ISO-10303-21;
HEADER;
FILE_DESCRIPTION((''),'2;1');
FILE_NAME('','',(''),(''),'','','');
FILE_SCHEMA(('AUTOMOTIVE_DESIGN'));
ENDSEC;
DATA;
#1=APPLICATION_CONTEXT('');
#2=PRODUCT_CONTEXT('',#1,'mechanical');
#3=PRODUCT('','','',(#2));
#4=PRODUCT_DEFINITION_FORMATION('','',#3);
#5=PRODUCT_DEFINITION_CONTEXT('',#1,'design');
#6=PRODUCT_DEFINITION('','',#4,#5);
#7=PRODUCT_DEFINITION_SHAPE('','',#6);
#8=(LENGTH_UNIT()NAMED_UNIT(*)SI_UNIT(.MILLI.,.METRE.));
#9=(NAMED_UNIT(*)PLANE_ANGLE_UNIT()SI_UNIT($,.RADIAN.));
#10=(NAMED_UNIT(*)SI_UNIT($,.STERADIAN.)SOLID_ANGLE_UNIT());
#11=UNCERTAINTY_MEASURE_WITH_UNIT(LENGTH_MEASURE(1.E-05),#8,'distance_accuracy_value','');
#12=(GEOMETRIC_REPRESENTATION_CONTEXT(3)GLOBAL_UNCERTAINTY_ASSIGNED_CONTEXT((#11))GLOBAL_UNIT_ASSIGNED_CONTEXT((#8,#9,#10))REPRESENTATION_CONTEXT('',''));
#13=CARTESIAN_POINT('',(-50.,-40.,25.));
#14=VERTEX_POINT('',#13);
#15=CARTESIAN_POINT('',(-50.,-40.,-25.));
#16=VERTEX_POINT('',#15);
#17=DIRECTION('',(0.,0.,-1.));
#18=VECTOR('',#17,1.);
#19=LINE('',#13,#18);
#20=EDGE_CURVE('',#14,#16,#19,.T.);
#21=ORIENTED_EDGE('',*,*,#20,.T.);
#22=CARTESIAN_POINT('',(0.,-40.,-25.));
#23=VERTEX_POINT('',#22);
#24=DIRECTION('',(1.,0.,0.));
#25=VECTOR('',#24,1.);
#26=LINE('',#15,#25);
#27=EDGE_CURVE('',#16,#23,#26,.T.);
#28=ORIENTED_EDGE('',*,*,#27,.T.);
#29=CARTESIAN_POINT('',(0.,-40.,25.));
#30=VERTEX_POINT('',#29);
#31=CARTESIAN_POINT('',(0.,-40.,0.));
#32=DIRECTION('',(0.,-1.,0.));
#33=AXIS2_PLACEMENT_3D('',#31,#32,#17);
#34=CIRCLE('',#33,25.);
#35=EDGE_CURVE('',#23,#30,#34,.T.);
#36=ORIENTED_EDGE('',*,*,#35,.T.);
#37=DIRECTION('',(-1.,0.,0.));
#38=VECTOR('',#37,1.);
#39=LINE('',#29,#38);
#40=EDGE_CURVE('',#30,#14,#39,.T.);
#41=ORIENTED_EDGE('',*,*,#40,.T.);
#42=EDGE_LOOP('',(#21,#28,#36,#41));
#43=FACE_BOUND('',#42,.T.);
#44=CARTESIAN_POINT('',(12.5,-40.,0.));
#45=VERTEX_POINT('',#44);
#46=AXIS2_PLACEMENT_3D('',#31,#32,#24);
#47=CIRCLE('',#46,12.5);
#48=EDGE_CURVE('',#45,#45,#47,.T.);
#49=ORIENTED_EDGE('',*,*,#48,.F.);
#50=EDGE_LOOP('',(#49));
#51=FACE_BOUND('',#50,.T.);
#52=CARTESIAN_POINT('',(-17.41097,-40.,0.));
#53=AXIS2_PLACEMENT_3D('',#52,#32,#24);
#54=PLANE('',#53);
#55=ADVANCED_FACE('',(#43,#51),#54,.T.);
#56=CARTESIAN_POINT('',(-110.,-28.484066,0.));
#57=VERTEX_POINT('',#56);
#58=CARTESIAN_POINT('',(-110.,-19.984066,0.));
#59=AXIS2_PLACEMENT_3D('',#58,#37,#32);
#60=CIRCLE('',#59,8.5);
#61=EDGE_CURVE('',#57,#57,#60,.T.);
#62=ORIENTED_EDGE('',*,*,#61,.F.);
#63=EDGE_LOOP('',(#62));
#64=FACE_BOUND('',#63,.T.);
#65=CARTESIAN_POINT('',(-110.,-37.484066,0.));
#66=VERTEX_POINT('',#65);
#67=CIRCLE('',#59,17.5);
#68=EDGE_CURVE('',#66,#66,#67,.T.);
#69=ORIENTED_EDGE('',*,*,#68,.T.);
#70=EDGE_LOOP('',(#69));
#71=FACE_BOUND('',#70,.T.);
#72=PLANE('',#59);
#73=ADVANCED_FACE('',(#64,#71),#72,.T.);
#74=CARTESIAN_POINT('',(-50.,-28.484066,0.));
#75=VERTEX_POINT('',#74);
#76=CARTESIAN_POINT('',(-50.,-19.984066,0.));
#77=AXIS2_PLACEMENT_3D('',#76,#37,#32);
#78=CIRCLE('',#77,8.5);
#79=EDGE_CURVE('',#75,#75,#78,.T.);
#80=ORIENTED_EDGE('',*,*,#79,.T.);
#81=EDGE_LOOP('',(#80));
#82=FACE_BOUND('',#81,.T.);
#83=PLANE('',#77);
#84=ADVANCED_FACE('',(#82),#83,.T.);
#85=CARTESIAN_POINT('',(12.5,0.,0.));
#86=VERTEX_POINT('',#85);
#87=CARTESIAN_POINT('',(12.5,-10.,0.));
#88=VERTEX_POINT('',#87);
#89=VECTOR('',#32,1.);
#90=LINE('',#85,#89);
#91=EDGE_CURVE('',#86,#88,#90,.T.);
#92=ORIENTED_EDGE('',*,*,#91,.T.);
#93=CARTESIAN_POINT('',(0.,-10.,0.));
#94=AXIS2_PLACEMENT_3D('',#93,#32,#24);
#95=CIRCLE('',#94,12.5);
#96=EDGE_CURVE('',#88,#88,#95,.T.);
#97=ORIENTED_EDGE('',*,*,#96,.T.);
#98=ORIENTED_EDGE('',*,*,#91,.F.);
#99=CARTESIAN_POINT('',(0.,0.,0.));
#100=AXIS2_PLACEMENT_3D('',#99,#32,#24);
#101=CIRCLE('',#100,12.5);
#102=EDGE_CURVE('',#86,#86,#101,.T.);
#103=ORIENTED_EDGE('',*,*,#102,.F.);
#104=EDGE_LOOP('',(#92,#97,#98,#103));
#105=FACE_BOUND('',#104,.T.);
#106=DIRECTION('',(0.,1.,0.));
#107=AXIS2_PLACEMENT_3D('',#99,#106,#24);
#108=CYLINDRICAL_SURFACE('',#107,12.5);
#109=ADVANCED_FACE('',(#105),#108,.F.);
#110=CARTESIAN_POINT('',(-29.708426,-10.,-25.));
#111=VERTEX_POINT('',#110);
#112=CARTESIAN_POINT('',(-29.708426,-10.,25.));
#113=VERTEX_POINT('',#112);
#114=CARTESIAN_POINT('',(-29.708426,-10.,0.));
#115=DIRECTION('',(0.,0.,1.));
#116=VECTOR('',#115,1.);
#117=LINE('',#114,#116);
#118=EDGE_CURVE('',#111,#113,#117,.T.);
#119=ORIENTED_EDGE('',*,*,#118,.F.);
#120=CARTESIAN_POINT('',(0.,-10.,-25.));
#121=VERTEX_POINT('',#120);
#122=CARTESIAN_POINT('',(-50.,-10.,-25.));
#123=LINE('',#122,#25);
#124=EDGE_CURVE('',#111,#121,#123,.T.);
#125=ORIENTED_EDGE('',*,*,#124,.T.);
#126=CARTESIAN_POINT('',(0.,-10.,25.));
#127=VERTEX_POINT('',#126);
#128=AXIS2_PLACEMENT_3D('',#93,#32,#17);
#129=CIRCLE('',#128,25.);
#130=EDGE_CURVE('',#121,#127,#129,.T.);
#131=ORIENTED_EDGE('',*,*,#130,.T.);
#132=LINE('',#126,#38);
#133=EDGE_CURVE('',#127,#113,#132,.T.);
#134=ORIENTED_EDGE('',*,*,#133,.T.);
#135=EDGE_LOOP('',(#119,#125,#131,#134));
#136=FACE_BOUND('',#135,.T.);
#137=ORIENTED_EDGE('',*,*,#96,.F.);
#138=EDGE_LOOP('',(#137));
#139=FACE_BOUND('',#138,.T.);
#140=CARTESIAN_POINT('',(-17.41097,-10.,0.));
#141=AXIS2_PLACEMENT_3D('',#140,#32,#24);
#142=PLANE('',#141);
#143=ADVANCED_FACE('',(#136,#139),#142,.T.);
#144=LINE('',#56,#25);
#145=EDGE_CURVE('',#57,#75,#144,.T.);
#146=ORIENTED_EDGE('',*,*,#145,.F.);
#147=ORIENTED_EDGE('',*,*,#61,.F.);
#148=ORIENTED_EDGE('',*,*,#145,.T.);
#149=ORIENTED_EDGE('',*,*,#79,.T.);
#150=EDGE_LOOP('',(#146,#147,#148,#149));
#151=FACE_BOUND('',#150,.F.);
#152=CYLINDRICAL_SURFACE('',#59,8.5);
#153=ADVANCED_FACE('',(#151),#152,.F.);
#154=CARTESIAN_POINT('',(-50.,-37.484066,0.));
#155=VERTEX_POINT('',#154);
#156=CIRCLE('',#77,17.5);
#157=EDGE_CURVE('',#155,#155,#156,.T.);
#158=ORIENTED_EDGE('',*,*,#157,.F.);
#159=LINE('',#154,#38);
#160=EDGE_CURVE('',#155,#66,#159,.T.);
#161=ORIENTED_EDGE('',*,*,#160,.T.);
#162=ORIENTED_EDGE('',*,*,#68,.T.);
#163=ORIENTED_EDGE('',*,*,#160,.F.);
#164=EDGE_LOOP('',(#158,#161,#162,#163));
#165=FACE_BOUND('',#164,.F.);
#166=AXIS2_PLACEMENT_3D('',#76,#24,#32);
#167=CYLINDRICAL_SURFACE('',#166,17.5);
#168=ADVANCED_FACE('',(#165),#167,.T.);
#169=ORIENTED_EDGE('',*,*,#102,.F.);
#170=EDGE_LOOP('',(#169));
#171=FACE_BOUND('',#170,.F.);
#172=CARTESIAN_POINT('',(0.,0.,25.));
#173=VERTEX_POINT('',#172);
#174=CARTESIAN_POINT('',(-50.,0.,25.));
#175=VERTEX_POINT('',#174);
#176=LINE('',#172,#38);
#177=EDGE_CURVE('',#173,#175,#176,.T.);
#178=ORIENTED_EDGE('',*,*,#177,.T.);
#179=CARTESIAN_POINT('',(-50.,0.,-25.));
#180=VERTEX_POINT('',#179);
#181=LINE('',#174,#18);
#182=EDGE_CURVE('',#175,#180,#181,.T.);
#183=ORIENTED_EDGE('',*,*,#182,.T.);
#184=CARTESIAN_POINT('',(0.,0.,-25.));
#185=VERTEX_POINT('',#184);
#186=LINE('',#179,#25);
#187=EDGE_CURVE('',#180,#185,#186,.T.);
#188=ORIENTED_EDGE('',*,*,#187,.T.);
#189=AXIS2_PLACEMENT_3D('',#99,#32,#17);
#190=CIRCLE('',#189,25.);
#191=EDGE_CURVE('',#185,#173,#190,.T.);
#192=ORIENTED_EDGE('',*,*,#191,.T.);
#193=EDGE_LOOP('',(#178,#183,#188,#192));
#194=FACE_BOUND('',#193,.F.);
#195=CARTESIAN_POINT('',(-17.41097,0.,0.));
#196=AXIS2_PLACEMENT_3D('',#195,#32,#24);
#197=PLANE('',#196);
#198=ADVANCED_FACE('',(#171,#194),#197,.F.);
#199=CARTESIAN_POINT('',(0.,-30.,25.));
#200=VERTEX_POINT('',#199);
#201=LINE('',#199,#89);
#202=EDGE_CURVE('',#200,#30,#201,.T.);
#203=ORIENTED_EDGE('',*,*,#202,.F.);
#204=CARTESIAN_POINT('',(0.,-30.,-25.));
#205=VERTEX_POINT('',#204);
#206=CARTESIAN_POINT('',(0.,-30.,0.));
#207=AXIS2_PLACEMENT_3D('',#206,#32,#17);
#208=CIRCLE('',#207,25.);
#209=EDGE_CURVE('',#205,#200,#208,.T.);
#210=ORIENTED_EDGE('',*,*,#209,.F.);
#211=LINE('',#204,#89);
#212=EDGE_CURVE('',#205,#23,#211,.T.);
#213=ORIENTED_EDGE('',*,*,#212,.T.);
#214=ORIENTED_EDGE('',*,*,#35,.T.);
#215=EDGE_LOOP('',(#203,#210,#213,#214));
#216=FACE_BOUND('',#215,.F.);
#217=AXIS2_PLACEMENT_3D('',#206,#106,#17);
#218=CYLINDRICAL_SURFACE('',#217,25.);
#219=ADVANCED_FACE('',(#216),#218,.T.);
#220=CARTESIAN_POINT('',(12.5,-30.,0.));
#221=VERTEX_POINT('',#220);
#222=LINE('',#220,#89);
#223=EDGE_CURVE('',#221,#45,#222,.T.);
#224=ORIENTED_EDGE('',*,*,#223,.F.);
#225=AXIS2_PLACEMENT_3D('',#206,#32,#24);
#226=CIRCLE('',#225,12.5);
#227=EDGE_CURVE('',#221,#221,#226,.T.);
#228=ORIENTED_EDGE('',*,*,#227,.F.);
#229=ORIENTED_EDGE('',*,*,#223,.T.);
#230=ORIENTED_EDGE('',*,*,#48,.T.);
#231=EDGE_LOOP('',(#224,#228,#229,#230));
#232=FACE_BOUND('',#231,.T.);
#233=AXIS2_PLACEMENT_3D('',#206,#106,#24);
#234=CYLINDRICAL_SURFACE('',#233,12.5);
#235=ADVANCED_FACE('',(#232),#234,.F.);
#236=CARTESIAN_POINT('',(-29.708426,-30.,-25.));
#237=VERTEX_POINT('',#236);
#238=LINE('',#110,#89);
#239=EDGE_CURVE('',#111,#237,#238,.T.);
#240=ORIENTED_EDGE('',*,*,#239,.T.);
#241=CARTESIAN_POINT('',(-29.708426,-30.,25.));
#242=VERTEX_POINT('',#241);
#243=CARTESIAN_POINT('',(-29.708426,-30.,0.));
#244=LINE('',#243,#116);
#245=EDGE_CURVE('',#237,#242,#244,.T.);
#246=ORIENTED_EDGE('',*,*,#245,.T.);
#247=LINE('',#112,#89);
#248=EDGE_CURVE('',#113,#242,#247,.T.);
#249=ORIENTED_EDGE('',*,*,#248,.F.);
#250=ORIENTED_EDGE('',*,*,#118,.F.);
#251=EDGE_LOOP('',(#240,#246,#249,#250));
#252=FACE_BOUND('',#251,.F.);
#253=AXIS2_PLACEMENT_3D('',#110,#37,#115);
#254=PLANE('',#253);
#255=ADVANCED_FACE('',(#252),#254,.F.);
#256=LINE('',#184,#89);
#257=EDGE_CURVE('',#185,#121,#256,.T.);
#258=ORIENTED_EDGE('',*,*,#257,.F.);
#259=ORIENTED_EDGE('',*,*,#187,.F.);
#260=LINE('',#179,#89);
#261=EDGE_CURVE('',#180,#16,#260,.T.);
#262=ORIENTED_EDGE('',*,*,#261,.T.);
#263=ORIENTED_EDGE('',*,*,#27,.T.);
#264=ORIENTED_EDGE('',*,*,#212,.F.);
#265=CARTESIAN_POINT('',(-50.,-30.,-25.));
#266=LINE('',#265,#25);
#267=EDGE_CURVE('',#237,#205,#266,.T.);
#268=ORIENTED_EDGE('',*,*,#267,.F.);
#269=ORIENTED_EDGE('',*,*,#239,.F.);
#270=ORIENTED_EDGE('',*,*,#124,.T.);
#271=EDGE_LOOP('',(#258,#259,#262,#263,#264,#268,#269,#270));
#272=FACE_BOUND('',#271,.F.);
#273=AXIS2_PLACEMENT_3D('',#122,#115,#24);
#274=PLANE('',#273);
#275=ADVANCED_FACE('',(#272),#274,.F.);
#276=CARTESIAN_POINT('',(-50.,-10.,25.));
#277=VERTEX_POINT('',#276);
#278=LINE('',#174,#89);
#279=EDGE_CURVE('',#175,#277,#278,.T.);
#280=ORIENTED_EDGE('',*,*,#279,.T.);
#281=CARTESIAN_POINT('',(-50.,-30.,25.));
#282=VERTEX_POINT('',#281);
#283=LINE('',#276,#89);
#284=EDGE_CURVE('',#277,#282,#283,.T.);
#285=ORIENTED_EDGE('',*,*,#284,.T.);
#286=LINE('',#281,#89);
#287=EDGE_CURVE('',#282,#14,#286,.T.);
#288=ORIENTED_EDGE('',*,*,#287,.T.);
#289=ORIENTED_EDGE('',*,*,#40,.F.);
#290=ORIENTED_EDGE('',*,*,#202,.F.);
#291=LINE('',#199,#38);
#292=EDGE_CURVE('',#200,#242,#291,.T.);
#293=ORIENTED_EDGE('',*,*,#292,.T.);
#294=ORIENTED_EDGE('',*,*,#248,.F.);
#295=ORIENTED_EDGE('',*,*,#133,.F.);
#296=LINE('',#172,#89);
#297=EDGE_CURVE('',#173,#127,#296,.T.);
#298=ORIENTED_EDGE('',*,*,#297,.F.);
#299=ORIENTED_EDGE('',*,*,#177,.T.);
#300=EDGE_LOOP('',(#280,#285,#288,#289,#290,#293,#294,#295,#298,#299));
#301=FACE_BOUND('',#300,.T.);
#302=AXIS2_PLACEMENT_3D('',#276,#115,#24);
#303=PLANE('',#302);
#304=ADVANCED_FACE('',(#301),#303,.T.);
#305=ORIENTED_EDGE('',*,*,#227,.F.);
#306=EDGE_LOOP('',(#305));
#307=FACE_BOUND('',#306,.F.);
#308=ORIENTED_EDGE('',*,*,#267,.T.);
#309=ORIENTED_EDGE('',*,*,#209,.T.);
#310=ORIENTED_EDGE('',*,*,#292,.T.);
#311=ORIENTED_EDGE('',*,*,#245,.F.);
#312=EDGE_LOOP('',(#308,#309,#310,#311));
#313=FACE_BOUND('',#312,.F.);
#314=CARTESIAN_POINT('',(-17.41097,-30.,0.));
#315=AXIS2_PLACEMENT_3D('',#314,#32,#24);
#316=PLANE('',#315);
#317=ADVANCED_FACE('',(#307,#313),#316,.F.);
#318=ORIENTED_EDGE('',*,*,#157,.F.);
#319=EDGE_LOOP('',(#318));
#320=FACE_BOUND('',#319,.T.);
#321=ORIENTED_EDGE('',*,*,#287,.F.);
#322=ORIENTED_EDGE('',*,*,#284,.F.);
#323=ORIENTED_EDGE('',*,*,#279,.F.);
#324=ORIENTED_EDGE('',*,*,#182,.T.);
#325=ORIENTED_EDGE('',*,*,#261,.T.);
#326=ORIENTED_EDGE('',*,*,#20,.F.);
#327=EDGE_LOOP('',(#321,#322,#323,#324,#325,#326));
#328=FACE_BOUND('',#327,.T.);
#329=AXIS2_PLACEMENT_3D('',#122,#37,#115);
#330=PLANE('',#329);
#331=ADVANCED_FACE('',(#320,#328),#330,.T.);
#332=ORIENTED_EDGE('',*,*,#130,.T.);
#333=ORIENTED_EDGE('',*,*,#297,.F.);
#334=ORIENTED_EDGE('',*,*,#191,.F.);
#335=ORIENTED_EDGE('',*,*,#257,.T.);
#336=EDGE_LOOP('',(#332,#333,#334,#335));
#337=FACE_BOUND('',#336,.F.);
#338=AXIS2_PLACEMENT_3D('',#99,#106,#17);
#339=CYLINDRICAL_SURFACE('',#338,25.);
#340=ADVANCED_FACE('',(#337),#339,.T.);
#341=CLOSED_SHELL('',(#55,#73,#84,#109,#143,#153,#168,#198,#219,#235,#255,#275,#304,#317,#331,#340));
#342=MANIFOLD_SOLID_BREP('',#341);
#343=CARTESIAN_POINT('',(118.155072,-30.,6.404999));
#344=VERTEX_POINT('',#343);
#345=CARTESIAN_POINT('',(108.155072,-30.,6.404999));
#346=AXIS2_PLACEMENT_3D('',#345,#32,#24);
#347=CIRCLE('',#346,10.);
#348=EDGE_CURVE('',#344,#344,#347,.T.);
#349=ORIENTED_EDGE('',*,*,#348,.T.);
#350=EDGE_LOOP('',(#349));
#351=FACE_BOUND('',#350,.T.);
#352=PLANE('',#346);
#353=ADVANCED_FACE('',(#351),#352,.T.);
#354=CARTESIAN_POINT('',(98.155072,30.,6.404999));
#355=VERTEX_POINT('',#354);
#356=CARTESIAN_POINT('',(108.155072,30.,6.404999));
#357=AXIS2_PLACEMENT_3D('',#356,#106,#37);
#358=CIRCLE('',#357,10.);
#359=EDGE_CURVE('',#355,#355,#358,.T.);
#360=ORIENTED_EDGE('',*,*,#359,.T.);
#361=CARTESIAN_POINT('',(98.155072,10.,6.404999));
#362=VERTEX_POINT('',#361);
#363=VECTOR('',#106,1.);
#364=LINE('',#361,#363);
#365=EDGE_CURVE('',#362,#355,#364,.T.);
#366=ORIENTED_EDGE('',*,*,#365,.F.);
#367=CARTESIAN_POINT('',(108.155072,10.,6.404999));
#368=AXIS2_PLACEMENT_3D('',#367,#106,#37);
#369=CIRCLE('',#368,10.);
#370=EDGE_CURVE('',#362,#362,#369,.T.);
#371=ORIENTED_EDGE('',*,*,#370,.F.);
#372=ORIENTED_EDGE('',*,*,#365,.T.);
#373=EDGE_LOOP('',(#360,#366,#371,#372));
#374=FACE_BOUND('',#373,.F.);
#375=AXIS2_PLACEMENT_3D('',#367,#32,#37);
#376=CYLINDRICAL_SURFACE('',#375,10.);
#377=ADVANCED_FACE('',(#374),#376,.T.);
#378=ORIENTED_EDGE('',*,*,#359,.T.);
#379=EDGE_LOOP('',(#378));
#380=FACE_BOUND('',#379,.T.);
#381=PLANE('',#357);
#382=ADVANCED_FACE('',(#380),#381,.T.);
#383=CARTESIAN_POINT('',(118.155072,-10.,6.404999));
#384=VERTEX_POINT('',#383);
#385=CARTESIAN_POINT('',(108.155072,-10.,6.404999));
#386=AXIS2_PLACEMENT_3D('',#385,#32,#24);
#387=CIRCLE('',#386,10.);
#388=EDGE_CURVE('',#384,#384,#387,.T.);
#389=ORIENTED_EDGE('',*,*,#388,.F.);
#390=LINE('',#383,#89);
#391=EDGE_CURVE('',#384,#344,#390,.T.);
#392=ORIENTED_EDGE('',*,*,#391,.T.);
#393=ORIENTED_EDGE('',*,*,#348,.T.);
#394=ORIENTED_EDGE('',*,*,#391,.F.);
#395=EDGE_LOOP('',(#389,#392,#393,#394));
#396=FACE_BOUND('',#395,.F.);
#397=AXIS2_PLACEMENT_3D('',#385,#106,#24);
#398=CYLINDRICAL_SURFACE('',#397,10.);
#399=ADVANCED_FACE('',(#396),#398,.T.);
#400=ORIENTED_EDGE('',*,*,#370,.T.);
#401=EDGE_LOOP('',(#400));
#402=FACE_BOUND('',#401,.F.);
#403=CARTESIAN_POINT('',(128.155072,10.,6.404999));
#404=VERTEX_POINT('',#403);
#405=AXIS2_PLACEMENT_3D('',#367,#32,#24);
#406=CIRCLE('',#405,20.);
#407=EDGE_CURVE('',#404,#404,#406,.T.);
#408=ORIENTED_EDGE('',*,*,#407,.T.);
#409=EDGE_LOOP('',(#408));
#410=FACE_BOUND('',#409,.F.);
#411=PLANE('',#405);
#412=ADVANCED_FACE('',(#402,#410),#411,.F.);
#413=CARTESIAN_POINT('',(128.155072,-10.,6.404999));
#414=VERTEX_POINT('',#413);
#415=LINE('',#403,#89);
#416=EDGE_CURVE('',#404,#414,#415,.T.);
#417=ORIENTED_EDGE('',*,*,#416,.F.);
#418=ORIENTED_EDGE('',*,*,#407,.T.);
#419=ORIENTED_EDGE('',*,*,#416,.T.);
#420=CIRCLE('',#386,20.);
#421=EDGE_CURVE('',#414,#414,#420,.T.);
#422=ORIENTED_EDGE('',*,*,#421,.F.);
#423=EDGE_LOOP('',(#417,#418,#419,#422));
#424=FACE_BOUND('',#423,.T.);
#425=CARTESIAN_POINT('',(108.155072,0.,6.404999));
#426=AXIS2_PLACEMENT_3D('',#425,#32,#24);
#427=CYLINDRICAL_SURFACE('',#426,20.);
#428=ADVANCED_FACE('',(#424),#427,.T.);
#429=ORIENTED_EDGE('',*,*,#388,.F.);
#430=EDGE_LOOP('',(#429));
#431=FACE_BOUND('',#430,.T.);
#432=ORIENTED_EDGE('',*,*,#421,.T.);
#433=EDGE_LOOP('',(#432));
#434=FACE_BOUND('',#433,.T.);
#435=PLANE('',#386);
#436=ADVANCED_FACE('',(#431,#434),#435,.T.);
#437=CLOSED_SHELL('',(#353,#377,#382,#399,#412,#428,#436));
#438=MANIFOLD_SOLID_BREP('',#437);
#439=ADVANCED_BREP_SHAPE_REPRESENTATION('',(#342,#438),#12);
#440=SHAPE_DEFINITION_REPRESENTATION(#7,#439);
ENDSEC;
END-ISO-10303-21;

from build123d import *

# Parameters (mm, degrees)
F0_R           = 12.5
F1_DEPTH       = 10
F3_R           = 12.5
F4_DEPTH       = 10
F5_W           = 20.2915735543
F5_H           = 50
F6_DEPTH       = 20
F7_R           = 17.5
F8_DEPTH       = 60
F9_R           = 8.5
F10_DEPTH      = 60
F11_R          = 20
F12_DEPTH      = 10
F12_DEPTH_BACK = 10
F13_R          = 10
F14_DEPTH      = 20
F15_R          = 10
F16_DEPTH      = 20


with BuildPart() as f1:
    # F0 (on Front) → F1 (new body)
    with BuildSketch(Plane.XZ):
        with BuildLine():
            Line((-50, -25), (0, -25))
            ThreePointArc((0, -25), (25, 0), (0, 25))
            Line((0, 25), (-50, 25))
            Line((-50, 25), (-50, -25))
        make_face()
        Circle(F0_R, mode=Mode.SUBTRACT)
    extrude(amount=F1_DEPTH)



with BuildPart() as f4:
    # F3 (on offset) → F4 (new body)
    with BuildSketch(Plane.XZ.offset(30)):
        with BuildLine():
            Line((0, 25), (-50, 25))
            Line((-50, 25), (-50, -25))
            Line((-50, -25), (0, -25))
            ThreePointArc((0, -25), (25, 0), (0, 25))
        make_face()
        Circle(F3_R, mode=Mode.SUBTRACT)
    extrude(amount=F4_DEPTH)


with BuildPart() as f1_1:
    add(f1.part)

    add(f4.part)  # F6 merges F4
    # F5 (on face) → F6 (join, through all)
    with BuildSketch(Plane.XZ.offset(10)):
        with Locations((-39.8542132229, 0)):
            Rectangle(F5_W, F5_H)
    extrude(amount=F6_DEPTH)

    # F7 (on face) → F8 (join)
    with BuildSketch(Plane(origin=(-50, 0, 0), x_dir=(0, -1, 0), z_dir=(-1, 0, 0))):
        with Locations((19.9840664864, 0)):
            Circle(F7_R)
    extrude(amount=F8_DEPTH)

    # F9 (on face) → F10 (cut)
    with BuildSketch(Plane(origin=(-110, 0, 0), x_dir=(0, -1, 0), z_dir=(-1, 0, 0))):
        with Locations((19.9840664864, 0)):
            Circle(F9_R)
    extrude(amount=-F10_DEPTH, mode=Mode.SUBTRACT)


with BuildPart() as f12:
    # F11 (on Front) → F12 (new body, two sides)
    with BuildSketch(Plane.XZ) as f12_sk:
        with Locations((108.1550717354, 6.4049987122)):
            Circle(F11_R)
    extrude(amount=F12_DEPTH)
    extrude(f12_sk.sketch, amount=-F12_DEPTH_BACK)

    # F13 (on face) → F14 (join)
    with BuildSketch(Plane.XZ.offset(10)):
        with Locations((108.1550717354, 6.4049987122)):
            Circle(F13_R)
    extrude(amount=F14_DEPTH)

    # F15 (on face) → F16 (join)
    with BuildSketch(Plane(origin=(0, 10, 0), x_dir=(-1, 0, 0), z_dir=(0, 1, 0))):
        with Locations((-108.1550717354, 6.4049987122)):
            Circle(F15_R)
    extrude(amount=F16_DEPTH)


solid = Compound([f1_1.part, f12.part])
